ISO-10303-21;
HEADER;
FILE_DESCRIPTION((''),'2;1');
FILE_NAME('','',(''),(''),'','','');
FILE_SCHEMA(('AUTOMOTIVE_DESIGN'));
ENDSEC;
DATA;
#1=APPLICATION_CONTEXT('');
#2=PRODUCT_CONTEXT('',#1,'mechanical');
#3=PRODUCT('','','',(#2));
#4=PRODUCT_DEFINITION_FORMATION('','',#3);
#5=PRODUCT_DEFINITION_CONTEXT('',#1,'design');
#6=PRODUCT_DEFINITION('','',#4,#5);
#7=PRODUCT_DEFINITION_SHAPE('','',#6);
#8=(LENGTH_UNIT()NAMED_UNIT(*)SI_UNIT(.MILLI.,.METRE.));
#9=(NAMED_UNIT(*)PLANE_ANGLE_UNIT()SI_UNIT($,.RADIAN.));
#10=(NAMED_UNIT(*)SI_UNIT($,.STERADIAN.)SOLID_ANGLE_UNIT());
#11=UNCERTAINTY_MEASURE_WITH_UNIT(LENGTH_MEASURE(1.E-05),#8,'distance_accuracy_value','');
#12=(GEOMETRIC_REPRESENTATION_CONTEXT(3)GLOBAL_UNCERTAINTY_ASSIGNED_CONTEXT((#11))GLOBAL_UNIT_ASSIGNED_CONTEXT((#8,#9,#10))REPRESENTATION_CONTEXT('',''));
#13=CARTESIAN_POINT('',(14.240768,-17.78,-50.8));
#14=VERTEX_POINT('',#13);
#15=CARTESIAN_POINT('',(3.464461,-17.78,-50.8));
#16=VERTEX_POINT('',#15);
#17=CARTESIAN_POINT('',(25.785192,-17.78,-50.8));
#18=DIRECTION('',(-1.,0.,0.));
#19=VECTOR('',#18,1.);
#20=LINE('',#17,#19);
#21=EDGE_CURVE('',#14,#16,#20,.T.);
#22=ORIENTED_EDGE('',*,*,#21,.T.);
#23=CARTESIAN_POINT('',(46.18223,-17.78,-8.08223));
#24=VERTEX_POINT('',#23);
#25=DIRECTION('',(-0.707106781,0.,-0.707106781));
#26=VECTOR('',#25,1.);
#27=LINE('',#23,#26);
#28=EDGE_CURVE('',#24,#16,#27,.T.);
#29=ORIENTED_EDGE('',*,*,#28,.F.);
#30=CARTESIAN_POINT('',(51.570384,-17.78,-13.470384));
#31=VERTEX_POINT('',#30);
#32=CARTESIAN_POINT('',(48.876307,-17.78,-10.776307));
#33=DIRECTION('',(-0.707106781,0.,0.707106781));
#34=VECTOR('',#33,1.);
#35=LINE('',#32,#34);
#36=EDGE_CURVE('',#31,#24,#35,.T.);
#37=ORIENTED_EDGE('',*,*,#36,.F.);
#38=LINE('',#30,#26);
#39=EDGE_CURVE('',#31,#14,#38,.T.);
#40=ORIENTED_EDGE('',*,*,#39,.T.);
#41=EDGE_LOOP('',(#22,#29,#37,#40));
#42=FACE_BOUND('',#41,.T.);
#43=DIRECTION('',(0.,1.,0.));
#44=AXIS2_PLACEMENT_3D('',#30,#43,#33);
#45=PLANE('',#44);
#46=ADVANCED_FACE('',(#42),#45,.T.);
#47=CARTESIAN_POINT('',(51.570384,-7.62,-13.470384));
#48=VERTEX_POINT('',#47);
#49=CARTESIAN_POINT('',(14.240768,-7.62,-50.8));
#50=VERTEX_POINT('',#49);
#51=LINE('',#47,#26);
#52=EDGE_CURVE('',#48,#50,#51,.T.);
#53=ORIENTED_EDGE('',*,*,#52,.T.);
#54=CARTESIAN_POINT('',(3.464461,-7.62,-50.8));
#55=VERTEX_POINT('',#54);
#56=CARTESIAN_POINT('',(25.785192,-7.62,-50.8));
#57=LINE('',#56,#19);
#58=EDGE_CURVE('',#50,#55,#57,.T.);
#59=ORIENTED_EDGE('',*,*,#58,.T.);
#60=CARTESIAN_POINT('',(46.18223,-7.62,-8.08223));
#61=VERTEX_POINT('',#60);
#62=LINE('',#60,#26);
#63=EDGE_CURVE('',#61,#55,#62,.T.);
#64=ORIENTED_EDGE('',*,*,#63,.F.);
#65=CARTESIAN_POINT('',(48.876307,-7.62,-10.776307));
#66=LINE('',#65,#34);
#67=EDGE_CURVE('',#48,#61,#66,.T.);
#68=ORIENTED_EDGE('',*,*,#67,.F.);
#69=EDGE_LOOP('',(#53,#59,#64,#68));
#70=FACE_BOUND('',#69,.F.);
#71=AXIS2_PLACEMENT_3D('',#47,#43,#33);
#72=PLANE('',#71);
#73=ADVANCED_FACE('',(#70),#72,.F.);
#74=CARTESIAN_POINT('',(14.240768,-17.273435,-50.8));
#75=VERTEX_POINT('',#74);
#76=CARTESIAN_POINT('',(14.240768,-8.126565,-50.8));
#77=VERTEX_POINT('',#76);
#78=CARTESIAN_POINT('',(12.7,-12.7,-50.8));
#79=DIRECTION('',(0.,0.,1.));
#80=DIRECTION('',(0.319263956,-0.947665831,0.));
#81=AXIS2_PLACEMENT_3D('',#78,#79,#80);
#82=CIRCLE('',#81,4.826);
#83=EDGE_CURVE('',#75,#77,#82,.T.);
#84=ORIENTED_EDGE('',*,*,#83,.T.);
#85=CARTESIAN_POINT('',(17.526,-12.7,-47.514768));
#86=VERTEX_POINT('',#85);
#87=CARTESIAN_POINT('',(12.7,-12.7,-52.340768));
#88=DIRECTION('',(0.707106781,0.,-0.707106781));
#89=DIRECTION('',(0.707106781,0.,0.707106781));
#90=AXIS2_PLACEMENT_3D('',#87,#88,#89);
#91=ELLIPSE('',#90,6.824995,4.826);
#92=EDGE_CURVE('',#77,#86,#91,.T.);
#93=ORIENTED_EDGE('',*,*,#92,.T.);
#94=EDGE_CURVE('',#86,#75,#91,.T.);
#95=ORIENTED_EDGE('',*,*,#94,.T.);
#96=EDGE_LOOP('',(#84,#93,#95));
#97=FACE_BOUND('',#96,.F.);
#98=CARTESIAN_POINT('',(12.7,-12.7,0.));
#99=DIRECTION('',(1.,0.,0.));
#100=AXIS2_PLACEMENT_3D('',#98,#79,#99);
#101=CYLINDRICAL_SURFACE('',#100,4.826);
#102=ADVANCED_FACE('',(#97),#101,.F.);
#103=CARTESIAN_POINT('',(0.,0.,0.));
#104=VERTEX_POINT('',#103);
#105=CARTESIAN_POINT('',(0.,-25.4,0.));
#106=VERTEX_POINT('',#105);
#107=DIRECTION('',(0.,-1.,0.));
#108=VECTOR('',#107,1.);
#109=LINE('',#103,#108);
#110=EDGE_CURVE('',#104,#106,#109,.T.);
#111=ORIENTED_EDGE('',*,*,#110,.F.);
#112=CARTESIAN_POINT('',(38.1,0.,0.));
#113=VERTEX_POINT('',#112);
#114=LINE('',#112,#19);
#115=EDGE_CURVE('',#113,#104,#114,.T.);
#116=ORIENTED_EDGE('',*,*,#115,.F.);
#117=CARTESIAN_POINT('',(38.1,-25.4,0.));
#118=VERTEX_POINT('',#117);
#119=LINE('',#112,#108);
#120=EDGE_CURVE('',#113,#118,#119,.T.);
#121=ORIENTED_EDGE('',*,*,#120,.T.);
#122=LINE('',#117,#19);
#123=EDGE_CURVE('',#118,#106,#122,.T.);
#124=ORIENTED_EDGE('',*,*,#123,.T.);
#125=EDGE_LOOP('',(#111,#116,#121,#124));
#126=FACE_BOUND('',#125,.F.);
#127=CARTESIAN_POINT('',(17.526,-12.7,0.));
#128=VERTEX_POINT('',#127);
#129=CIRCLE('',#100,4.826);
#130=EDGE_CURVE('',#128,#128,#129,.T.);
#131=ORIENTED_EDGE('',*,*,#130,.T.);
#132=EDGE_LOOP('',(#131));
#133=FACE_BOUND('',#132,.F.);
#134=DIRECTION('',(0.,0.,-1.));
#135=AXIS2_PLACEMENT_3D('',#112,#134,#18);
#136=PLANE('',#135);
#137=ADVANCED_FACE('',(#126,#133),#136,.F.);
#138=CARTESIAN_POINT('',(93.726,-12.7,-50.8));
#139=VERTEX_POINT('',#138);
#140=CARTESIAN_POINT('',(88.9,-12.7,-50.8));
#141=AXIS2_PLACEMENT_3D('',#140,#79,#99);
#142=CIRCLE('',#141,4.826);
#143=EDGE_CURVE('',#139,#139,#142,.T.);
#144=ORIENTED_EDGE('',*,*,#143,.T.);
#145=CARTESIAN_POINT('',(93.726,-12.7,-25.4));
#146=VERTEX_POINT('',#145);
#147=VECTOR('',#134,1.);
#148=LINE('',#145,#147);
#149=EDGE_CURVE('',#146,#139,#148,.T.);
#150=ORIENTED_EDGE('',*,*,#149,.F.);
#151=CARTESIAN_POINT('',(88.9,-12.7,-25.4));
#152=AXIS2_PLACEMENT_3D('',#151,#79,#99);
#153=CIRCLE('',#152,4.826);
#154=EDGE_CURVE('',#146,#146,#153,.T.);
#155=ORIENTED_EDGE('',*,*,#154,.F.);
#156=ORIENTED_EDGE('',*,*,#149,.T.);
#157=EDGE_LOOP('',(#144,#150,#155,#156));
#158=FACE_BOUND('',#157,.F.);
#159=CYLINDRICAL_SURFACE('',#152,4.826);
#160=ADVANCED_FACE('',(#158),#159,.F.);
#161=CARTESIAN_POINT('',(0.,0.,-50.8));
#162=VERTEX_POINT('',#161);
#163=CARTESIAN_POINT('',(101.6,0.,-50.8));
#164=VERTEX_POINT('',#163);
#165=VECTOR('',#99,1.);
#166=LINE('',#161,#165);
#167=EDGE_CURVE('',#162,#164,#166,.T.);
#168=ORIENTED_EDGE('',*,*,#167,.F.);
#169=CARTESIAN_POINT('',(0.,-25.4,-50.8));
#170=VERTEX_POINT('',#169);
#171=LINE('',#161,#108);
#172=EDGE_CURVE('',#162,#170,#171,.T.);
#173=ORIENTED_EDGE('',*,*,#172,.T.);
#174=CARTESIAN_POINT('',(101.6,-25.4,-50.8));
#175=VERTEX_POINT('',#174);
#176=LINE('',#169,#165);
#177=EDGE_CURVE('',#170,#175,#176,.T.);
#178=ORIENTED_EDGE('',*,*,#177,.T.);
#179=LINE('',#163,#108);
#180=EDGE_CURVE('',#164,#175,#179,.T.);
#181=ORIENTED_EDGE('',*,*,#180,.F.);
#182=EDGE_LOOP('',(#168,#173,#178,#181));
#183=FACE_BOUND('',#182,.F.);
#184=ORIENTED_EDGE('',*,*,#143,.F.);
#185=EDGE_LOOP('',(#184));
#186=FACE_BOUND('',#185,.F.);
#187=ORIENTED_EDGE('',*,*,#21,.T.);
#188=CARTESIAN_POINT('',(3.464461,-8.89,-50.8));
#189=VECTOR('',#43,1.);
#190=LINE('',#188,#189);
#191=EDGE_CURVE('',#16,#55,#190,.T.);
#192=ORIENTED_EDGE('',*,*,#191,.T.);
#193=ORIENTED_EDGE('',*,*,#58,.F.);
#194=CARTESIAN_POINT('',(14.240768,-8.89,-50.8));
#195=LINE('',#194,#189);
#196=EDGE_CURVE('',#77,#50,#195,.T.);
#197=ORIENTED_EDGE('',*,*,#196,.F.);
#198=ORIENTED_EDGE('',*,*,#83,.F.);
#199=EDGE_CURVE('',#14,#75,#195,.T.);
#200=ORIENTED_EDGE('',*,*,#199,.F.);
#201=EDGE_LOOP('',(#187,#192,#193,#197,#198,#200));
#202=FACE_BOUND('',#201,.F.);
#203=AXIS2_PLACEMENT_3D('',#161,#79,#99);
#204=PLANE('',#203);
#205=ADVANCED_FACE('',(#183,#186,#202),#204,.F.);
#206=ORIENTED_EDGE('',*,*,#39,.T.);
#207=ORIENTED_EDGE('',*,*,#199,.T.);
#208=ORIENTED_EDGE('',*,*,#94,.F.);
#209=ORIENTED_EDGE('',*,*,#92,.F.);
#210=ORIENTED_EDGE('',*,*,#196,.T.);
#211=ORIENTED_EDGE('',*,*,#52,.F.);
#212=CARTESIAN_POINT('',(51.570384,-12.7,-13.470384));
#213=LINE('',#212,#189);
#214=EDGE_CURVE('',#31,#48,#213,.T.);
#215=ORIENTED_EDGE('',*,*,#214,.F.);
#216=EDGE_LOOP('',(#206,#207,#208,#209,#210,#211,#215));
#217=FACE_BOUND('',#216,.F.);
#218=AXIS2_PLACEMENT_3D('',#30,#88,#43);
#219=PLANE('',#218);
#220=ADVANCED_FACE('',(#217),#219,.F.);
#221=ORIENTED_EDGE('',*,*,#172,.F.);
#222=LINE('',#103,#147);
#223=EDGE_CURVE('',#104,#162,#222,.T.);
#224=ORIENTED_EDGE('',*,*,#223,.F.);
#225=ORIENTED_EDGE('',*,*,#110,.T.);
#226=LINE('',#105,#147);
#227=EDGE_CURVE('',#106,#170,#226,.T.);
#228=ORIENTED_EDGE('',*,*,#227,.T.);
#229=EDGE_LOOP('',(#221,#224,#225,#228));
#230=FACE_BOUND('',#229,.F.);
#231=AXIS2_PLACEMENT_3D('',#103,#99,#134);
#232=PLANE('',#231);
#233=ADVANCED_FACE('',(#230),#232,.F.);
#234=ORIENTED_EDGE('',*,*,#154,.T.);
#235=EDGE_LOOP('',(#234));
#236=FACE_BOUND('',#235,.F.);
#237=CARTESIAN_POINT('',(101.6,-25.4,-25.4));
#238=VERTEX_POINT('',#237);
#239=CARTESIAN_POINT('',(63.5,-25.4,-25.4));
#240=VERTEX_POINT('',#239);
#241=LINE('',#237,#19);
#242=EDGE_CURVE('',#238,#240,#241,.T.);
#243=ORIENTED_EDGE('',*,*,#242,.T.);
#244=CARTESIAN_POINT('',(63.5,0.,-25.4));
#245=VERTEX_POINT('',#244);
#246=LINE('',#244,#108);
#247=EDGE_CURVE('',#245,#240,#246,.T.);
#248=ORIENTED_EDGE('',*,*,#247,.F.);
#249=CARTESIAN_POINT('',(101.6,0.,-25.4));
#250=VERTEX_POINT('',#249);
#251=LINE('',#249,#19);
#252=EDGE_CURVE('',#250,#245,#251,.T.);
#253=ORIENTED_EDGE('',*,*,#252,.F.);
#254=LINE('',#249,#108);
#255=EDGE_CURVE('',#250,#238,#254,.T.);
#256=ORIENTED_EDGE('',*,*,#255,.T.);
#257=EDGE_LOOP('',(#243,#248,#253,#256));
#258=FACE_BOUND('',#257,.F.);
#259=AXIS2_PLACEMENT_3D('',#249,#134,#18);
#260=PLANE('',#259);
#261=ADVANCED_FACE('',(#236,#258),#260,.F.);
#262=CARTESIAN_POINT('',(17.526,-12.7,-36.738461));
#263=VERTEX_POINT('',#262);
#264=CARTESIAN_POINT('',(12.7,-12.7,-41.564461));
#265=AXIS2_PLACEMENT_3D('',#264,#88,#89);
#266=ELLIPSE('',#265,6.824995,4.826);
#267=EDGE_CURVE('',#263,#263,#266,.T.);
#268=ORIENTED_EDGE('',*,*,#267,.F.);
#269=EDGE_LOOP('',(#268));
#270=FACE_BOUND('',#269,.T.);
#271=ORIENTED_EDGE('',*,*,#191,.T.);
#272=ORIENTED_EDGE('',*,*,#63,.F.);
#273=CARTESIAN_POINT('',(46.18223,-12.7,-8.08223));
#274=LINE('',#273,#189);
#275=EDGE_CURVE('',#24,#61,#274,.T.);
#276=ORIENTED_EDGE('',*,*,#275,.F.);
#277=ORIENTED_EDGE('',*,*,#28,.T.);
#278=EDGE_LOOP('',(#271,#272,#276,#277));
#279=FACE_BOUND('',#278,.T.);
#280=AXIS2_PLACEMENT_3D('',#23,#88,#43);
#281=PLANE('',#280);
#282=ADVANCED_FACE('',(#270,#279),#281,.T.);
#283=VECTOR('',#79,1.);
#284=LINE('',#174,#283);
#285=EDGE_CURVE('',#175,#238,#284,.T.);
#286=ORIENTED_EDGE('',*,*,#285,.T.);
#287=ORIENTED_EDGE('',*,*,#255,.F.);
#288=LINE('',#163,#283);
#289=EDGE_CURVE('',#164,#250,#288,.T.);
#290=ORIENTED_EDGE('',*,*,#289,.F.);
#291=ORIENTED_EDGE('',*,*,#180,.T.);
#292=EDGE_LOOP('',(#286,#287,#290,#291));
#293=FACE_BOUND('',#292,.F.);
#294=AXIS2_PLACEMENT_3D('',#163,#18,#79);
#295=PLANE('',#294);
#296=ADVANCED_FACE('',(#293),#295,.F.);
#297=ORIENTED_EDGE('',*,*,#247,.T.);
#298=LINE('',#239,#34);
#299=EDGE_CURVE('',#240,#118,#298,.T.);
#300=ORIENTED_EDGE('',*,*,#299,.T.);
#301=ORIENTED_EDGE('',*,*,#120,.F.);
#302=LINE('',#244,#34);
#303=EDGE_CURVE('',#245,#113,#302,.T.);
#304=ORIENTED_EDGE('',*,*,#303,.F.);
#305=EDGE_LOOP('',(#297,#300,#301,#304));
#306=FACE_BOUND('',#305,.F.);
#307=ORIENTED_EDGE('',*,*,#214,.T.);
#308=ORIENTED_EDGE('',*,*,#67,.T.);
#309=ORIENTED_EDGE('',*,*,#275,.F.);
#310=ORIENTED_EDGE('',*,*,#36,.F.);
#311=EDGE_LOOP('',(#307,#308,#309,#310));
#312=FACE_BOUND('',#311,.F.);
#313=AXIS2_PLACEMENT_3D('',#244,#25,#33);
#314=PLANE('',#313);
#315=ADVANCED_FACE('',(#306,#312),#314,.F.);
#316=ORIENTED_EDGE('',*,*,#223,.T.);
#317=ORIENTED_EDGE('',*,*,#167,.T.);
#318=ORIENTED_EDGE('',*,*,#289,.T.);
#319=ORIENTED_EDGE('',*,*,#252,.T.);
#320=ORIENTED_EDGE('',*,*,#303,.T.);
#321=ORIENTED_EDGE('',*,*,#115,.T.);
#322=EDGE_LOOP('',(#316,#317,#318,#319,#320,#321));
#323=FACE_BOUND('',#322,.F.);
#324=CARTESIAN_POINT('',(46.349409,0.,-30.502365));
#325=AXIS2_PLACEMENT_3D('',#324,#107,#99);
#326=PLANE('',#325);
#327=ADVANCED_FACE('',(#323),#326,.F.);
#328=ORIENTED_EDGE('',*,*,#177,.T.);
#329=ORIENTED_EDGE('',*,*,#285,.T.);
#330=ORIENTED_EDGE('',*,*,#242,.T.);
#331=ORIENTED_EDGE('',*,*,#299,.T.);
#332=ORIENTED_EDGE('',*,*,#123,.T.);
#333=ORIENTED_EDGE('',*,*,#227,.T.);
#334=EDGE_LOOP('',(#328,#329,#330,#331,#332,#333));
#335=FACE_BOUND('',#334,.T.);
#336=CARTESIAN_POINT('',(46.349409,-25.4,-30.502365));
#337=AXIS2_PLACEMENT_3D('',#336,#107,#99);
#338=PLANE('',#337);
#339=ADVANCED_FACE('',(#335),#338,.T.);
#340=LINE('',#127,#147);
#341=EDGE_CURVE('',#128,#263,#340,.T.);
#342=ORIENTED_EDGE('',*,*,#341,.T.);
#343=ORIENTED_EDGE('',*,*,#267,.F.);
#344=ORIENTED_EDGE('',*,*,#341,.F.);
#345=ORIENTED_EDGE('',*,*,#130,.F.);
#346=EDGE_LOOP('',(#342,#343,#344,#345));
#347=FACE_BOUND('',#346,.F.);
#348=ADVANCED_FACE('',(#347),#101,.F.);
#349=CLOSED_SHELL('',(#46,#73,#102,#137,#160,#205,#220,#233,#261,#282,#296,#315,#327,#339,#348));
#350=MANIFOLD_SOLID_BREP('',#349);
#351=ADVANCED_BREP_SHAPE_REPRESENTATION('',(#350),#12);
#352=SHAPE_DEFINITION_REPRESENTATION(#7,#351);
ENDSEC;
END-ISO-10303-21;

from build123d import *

# Parameters (mm, degrees)
F1_DEPTH = 25.4
F3_DEPTH = 50.801
F4_R     = 4.826
F5_DEPTH = 25.401
F6_W     = 10.16
F6_H     = 7.62
F7_DEPTH = 62.862793


with BuildPart() as f1:
    # F0 (on Front) → F1 (new body)
    with BuildSketch(Plane.XZ):
        Polygon((38.1, 0), (0, 0), (0, -50.8), (101.6, -50.8), (101.6, -25.4), (63.5, -25.4), align=None)
    extrude(amount=F1_DEPTH)

    # F2 (on face) → F3 (cut, through all)
    with BuildSketch(Plane.XY):
        with BuildLine():
            ThreePointArc((7.874, -12.7), (12.7, -17.526), (17.526, -12.7))
            ThreePointArc((17.526, -12.7), (12.7, -7.874), (7.874, -12.7))
        make_face()
    extrude(amount=-F3_DEPTH, mode=Mode.SUBTRACT)

    # F4 (on face) → F5 (cut, through all)
    with BuildSketch(Plane.XY.offset(-25.4)):
        with Locations((88.9, -12.7)):
            Circle(F4_R)
    extrude(amount=-F5_DEPTH, mode=Mode.SUBTRACT)

    # F6 (on face) → F7 (cut, through all)
    with BuildSketch(Plane(origin=(19.05, 0, 19.05), x_dir=(0, 1, 0), z_dir=(0.707107, 0, 0.707107))):
        with Locations((-12.7, -42.180768)):
            Rectangle(F6_W, F6_H)
    extrude(amount=-F7_DEPTH, mode=Mode.SUBTRACT)


solid = f1.part
